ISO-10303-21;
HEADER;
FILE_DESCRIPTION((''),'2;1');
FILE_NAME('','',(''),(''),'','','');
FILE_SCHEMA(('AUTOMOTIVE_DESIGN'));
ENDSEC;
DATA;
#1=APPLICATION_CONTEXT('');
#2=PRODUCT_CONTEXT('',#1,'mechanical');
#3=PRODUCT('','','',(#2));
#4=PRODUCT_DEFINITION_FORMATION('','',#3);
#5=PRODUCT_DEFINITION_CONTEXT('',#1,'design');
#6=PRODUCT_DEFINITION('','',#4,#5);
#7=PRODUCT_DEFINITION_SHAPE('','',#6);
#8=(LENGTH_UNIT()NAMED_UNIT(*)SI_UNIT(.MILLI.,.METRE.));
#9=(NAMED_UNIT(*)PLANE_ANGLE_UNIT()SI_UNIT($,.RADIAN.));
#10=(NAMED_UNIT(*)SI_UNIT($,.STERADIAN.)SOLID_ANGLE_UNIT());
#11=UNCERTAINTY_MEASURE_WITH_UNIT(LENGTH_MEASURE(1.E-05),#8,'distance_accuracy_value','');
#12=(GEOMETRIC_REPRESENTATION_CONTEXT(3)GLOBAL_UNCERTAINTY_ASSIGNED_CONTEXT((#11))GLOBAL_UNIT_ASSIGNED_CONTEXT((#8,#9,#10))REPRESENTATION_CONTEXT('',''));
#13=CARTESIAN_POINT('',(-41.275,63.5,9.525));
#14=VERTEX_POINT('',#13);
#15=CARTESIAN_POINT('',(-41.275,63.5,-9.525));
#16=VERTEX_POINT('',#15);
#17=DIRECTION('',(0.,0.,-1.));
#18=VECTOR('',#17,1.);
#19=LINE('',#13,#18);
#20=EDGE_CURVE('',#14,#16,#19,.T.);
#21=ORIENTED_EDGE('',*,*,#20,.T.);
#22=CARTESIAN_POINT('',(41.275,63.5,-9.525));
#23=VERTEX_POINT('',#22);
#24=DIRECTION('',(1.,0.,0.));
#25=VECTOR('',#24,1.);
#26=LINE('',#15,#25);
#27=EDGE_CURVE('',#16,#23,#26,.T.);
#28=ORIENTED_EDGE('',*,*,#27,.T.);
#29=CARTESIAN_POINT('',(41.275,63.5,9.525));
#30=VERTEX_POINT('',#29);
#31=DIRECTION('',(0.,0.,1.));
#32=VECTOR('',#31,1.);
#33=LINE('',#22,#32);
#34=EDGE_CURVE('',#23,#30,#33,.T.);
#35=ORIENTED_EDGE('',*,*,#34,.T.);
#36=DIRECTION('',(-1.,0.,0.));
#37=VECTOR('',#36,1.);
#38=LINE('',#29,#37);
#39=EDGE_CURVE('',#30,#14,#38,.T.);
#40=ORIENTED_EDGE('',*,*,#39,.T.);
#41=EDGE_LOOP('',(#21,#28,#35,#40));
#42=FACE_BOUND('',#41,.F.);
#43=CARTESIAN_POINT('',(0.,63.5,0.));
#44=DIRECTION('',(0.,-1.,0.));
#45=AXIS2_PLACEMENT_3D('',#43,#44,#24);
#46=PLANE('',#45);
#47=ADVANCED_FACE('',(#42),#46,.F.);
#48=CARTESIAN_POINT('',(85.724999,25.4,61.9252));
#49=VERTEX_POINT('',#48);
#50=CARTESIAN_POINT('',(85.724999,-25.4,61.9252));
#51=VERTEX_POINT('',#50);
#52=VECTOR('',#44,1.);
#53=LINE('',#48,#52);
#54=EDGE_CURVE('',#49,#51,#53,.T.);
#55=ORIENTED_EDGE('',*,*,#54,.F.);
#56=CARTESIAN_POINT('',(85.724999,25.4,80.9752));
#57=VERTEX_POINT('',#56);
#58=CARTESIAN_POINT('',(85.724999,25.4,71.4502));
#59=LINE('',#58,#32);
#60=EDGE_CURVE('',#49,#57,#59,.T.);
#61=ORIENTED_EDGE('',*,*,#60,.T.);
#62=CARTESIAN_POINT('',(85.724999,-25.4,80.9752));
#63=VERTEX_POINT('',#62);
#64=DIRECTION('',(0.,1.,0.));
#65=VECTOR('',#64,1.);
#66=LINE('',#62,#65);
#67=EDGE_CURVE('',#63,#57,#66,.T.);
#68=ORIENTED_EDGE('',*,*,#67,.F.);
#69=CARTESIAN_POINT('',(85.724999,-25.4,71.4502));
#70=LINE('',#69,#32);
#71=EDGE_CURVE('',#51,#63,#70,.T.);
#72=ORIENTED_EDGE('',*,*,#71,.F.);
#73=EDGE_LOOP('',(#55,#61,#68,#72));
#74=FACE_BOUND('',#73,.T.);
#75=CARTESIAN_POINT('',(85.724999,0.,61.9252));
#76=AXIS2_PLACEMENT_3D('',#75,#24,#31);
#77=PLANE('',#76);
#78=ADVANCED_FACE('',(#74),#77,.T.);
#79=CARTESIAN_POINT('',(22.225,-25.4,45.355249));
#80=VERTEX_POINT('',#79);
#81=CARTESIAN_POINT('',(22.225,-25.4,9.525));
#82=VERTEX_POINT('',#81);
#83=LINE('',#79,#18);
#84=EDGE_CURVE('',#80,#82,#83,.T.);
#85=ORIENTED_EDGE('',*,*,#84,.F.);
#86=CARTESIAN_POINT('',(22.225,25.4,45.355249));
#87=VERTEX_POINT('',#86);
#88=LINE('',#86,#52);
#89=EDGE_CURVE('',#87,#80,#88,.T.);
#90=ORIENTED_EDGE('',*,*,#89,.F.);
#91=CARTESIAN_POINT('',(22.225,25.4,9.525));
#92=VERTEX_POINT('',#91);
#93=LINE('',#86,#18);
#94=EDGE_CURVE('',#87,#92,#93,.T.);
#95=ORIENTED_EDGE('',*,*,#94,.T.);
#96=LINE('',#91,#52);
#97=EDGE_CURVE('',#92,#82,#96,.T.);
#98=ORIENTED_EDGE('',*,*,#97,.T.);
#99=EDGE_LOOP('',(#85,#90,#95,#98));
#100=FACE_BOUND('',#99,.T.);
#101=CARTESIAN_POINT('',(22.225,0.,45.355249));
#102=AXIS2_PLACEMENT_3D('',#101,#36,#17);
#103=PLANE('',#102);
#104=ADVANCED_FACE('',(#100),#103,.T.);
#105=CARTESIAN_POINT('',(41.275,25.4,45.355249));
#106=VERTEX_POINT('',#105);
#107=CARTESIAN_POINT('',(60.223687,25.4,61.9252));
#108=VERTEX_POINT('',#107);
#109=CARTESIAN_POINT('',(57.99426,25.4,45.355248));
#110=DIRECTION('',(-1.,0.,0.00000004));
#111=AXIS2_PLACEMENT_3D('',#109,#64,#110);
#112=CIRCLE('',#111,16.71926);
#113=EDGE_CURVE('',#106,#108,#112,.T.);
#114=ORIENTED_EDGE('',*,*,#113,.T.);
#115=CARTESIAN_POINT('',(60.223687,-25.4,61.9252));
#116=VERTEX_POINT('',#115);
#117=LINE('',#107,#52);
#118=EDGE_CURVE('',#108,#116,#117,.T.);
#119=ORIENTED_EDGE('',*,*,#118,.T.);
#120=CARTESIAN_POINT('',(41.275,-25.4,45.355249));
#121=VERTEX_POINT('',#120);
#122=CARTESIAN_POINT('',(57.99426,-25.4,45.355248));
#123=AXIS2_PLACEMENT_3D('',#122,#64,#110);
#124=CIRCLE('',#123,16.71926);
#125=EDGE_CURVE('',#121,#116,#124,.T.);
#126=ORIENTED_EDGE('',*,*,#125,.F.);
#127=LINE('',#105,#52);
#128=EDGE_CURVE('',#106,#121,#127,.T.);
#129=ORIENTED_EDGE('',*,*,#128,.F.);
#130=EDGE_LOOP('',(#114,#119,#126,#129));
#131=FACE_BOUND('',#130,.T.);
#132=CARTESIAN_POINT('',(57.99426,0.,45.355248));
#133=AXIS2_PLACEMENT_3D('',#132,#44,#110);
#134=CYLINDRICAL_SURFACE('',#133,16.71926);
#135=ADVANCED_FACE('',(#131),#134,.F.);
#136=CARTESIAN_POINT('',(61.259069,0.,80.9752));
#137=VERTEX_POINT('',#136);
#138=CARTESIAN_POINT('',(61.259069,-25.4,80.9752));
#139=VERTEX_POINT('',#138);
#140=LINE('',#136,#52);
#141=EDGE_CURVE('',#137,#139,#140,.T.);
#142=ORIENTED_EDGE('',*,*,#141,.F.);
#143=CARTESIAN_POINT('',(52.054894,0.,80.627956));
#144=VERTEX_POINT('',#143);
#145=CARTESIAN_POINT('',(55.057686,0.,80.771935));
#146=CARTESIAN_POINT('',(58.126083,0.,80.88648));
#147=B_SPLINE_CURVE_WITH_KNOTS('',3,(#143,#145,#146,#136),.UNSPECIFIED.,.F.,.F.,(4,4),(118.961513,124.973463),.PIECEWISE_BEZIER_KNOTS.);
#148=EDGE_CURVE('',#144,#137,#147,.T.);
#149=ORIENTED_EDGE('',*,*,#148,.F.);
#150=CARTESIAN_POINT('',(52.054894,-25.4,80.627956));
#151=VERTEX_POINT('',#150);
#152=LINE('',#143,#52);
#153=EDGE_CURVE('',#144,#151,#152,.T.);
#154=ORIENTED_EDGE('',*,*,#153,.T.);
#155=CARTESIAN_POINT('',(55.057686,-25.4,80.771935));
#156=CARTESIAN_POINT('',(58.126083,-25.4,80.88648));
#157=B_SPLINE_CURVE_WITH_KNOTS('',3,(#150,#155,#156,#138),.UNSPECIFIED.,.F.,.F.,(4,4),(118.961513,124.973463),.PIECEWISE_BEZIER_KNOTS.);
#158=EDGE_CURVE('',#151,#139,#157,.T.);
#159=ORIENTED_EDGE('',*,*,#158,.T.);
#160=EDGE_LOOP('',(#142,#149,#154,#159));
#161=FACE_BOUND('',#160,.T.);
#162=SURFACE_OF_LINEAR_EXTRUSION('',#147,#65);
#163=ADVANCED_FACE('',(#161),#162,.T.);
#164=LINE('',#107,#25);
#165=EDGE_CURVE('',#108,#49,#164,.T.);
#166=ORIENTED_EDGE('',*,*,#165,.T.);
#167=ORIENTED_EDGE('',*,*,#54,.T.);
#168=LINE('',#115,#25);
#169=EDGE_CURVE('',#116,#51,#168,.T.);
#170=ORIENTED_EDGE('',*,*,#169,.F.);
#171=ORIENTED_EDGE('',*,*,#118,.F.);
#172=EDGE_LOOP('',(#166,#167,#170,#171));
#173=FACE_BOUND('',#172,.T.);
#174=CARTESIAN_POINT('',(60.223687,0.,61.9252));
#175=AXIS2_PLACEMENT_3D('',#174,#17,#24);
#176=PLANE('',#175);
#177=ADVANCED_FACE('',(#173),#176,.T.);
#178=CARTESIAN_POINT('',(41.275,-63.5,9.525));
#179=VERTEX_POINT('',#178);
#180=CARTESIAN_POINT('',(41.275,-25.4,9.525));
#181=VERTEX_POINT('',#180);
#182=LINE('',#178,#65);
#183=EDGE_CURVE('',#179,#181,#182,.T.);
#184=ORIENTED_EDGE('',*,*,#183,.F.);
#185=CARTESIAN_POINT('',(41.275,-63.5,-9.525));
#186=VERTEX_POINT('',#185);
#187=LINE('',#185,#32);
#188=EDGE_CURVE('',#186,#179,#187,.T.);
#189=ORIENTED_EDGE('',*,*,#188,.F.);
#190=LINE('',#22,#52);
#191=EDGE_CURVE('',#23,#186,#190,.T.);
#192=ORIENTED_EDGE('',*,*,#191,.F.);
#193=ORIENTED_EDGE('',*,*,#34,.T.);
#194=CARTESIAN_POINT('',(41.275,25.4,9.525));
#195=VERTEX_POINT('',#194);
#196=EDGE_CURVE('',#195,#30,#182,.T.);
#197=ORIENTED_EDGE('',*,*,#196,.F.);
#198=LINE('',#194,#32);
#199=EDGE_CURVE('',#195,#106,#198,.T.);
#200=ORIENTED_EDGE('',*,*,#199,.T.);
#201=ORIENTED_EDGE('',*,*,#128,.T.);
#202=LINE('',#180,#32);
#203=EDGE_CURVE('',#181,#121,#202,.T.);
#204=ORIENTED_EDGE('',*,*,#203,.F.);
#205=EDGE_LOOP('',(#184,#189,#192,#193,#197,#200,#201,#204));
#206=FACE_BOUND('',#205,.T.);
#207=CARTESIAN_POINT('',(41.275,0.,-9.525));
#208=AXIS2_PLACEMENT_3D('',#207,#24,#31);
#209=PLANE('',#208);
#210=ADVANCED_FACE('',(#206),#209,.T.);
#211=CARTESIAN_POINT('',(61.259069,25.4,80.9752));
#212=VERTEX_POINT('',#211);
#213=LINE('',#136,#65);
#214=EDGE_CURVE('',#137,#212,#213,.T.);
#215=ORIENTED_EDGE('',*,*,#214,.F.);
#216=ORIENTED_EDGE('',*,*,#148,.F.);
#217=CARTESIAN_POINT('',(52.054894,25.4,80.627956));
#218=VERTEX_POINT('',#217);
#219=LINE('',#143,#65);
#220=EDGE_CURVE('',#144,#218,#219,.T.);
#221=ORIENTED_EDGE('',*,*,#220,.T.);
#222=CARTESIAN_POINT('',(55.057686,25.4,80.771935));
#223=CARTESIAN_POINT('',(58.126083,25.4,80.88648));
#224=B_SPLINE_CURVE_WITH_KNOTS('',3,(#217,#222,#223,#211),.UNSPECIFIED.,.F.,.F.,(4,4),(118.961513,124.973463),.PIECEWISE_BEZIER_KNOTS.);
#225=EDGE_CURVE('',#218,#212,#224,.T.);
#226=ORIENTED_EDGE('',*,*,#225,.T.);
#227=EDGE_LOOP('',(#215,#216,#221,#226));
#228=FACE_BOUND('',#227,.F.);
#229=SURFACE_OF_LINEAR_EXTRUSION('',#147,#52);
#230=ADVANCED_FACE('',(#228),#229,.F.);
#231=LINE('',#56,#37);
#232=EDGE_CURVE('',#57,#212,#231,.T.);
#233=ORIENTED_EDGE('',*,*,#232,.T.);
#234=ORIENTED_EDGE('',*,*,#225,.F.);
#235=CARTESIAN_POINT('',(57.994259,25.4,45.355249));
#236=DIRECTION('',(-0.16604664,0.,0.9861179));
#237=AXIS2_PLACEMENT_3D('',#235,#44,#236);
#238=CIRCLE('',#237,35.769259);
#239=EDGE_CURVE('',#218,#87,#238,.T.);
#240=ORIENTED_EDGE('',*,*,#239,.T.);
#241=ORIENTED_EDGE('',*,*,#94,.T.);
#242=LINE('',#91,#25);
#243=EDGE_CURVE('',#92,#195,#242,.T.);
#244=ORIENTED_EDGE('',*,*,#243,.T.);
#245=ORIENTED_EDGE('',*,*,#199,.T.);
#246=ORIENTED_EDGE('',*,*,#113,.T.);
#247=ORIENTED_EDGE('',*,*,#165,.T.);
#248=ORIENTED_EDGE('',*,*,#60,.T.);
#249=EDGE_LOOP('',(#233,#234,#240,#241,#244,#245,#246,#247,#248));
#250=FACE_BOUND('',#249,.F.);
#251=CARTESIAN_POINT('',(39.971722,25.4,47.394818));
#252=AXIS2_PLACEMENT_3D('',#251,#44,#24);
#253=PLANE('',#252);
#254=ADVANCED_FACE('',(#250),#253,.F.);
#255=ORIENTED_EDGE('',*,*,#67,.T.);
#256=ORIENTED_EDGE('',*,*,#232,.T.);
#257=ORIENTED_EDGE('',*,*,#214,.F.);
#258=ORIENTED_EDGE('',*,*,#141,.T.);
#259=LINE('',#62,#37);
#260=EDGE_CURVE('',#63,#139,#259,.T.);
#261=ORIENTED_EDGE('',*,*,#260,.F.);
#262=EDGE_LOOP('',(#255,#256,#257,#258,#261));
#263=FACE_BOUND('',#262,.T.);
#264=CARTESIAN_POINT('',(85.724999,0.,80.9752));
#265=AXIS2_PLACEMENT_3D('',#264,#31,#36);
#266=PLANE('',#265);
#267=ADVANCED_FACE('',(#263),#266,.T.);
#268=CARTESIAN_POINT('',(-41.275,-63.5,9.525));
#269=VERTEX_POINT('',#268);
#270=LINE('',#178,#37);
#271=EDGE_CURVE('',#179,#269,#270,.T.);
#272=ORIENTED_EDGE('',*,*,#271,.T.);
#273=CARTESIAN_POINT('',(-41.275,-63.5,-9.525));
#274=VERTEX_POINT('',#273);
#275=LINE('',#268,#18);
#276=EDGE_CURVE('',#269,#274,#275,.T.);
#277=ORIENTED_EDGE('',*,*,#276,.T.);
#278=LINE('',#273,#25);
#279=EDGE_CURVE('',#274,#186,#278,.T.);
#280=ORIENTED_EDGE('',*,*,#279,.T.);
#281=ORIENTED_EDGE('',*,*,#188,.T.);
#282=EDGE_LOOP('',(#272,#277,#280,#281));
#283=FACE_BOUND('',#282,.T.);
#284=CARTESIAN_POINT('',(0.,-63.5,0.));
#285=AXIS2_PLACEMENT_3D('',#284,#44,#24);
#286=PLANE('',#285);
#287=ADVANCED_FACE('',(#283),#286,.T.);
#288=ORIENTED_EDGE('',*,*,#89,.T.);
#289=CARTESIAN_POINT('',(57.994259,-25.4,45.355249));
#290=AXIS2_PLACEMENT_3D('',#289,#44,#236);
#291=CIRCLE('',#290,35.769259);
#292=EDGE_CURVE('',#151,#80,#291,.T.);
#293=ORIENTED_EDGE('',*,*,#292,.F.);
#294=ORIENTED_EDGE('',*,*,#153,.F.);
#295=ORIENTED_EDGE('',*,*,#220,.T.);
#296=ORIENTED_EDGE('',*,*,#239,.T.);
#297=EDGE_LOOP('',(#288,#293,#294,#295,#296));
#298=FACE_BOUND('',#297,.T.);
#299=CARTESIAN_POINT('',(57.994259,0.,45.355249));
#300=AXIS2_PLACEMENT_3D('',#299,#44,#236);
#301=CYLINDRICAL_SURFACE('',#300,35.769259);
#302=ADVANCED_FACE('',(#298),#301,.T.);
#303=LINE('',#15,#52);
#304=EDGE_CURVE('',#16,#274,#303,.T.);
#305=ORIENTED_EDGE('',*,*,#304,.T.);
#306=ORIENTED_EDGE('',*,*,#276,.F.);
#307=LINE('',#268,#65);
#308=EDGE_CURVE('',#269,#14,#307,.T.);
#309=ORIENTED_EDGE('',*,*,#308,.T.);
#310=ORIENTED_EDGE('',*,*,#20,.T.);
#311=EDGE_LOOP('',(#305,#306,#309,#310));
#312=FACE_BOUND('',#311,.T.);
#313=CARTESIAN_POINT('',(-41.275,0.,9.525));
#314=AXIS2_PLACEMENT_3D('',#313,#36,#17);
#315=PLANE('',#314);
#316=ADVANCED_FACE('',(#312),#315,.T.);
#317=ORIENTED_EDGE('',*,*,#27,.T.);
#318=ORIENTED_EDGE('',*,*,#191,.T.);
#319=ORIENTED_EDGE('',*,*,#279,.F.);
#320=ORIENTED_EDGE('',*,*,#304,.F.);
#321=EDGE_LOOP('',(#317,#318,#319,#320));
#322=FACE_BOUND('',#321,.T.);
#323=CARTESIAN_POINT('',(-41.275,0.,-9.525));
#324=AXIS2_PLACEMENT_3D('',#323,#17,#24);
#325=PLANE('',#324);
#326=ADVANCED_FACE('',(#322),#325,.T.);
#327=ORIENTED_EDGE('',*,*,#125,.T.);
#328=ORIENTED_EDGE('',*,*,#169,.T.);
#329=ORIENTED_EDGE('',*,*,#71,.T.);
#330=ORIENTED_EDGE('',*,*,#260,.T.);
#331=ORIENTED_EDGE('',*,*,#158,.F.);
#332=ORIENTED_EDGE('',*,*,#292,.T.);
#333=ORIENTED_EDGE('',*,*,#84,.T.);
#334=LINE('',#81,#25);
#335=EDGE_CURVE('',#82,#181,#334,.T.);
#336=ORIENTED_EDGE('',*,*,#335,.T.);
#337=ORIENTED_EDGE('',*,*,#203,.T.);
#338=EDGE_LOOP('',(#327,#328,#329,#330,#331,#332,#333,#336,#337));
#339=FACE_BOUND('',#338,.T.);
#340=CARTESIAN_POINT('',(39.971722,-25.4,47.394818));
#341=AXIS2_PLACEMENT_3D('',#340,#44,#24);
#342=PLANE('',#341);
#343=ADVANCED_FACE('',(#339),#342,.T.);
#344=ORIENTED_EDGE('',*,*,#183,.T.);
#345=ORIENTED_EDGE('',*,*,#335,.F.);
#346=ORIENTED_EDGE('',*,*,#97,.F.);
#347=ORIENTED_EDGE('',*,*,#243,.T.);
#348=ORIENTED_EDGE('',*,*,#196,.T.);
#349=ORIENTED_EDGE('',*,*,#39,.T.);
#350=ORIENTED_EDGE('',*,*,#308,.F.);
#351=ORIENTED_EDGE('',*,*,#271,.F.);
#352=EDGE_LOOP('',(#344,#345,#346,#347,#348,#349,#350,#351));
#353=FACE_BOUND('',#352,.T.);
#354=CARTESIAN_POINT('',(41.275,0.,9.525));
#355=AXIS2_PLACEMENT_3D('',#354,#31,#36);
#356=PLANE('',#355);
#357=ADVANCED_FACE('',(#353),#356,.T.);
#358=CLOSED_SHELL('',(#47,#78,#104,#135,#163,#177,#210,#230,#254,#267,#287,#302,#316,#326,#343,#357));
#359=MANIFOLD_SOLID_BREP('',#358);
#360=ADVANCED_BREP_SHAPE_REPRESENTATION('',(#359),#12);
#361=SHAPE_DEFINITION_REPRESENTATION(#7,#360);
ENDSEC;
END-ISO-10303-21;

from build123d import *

# Parameters (mm, degrees)
F1_DEPTH = 63.5
F0_W     = 20.577587
F0_H     = 19.05
F2_DEPTH = 25.4


with BuildPart() as f1:
    # F0 (on Front) → F1 (new body, symmetric)
    with BuildSketch(Plane.XZ):
        Polygon((22.225, 9.525), (-41.275, 9.525), (-41.275, -9.525), (41.275, -9.525), (41.275, 9.525), align=None)
    extrude(amount=F1_DEPTH, both=True)

    # F0 (on Front) → F2 (join, symmetric)
    with BuildSketch(Plane.XZ):
        with BuildLine():
            Line((22.225, 45.355249), (22.225, 9.525))
            Line((22.225, 9.525), (41.275, 9.525))
            Line((41.275, 9.525), (41.275, 45.355249))
            ThreePointArc((41.275, 45.355249), (46.988369, 57.941114), (60.223687, 61.9252))
            Line((60.223687, 61.9252), (65.147413, 61.9252))
            Line((65.147413, 61.9252), (65.147413, 80.9752))
            Line((65.147413, 80.9752), (61.259069, 80.9752))
            add(Edge.make_bspline(
                [(52.054894, 80.627956), (55.057686, 80.771935), (58.126083, 80.88648), (61.259069, 80.9752)],
                knots=[118.961513, 118.961513, 118.961513, 118.961513, 124.973463, 124.973463, 124.973463, 124.973463], degree=3))
            ThreePointArc((52.054894, 80.627956), (30.682297, 68.452795), (22.225, 45.355249))
        make_face()
        with Locations((75.436206, 71.4502)):
            Rectangle(F0_W, F0_H)
    extrude(amount=F2_DEPTH, both=True)


solid = f1.part
